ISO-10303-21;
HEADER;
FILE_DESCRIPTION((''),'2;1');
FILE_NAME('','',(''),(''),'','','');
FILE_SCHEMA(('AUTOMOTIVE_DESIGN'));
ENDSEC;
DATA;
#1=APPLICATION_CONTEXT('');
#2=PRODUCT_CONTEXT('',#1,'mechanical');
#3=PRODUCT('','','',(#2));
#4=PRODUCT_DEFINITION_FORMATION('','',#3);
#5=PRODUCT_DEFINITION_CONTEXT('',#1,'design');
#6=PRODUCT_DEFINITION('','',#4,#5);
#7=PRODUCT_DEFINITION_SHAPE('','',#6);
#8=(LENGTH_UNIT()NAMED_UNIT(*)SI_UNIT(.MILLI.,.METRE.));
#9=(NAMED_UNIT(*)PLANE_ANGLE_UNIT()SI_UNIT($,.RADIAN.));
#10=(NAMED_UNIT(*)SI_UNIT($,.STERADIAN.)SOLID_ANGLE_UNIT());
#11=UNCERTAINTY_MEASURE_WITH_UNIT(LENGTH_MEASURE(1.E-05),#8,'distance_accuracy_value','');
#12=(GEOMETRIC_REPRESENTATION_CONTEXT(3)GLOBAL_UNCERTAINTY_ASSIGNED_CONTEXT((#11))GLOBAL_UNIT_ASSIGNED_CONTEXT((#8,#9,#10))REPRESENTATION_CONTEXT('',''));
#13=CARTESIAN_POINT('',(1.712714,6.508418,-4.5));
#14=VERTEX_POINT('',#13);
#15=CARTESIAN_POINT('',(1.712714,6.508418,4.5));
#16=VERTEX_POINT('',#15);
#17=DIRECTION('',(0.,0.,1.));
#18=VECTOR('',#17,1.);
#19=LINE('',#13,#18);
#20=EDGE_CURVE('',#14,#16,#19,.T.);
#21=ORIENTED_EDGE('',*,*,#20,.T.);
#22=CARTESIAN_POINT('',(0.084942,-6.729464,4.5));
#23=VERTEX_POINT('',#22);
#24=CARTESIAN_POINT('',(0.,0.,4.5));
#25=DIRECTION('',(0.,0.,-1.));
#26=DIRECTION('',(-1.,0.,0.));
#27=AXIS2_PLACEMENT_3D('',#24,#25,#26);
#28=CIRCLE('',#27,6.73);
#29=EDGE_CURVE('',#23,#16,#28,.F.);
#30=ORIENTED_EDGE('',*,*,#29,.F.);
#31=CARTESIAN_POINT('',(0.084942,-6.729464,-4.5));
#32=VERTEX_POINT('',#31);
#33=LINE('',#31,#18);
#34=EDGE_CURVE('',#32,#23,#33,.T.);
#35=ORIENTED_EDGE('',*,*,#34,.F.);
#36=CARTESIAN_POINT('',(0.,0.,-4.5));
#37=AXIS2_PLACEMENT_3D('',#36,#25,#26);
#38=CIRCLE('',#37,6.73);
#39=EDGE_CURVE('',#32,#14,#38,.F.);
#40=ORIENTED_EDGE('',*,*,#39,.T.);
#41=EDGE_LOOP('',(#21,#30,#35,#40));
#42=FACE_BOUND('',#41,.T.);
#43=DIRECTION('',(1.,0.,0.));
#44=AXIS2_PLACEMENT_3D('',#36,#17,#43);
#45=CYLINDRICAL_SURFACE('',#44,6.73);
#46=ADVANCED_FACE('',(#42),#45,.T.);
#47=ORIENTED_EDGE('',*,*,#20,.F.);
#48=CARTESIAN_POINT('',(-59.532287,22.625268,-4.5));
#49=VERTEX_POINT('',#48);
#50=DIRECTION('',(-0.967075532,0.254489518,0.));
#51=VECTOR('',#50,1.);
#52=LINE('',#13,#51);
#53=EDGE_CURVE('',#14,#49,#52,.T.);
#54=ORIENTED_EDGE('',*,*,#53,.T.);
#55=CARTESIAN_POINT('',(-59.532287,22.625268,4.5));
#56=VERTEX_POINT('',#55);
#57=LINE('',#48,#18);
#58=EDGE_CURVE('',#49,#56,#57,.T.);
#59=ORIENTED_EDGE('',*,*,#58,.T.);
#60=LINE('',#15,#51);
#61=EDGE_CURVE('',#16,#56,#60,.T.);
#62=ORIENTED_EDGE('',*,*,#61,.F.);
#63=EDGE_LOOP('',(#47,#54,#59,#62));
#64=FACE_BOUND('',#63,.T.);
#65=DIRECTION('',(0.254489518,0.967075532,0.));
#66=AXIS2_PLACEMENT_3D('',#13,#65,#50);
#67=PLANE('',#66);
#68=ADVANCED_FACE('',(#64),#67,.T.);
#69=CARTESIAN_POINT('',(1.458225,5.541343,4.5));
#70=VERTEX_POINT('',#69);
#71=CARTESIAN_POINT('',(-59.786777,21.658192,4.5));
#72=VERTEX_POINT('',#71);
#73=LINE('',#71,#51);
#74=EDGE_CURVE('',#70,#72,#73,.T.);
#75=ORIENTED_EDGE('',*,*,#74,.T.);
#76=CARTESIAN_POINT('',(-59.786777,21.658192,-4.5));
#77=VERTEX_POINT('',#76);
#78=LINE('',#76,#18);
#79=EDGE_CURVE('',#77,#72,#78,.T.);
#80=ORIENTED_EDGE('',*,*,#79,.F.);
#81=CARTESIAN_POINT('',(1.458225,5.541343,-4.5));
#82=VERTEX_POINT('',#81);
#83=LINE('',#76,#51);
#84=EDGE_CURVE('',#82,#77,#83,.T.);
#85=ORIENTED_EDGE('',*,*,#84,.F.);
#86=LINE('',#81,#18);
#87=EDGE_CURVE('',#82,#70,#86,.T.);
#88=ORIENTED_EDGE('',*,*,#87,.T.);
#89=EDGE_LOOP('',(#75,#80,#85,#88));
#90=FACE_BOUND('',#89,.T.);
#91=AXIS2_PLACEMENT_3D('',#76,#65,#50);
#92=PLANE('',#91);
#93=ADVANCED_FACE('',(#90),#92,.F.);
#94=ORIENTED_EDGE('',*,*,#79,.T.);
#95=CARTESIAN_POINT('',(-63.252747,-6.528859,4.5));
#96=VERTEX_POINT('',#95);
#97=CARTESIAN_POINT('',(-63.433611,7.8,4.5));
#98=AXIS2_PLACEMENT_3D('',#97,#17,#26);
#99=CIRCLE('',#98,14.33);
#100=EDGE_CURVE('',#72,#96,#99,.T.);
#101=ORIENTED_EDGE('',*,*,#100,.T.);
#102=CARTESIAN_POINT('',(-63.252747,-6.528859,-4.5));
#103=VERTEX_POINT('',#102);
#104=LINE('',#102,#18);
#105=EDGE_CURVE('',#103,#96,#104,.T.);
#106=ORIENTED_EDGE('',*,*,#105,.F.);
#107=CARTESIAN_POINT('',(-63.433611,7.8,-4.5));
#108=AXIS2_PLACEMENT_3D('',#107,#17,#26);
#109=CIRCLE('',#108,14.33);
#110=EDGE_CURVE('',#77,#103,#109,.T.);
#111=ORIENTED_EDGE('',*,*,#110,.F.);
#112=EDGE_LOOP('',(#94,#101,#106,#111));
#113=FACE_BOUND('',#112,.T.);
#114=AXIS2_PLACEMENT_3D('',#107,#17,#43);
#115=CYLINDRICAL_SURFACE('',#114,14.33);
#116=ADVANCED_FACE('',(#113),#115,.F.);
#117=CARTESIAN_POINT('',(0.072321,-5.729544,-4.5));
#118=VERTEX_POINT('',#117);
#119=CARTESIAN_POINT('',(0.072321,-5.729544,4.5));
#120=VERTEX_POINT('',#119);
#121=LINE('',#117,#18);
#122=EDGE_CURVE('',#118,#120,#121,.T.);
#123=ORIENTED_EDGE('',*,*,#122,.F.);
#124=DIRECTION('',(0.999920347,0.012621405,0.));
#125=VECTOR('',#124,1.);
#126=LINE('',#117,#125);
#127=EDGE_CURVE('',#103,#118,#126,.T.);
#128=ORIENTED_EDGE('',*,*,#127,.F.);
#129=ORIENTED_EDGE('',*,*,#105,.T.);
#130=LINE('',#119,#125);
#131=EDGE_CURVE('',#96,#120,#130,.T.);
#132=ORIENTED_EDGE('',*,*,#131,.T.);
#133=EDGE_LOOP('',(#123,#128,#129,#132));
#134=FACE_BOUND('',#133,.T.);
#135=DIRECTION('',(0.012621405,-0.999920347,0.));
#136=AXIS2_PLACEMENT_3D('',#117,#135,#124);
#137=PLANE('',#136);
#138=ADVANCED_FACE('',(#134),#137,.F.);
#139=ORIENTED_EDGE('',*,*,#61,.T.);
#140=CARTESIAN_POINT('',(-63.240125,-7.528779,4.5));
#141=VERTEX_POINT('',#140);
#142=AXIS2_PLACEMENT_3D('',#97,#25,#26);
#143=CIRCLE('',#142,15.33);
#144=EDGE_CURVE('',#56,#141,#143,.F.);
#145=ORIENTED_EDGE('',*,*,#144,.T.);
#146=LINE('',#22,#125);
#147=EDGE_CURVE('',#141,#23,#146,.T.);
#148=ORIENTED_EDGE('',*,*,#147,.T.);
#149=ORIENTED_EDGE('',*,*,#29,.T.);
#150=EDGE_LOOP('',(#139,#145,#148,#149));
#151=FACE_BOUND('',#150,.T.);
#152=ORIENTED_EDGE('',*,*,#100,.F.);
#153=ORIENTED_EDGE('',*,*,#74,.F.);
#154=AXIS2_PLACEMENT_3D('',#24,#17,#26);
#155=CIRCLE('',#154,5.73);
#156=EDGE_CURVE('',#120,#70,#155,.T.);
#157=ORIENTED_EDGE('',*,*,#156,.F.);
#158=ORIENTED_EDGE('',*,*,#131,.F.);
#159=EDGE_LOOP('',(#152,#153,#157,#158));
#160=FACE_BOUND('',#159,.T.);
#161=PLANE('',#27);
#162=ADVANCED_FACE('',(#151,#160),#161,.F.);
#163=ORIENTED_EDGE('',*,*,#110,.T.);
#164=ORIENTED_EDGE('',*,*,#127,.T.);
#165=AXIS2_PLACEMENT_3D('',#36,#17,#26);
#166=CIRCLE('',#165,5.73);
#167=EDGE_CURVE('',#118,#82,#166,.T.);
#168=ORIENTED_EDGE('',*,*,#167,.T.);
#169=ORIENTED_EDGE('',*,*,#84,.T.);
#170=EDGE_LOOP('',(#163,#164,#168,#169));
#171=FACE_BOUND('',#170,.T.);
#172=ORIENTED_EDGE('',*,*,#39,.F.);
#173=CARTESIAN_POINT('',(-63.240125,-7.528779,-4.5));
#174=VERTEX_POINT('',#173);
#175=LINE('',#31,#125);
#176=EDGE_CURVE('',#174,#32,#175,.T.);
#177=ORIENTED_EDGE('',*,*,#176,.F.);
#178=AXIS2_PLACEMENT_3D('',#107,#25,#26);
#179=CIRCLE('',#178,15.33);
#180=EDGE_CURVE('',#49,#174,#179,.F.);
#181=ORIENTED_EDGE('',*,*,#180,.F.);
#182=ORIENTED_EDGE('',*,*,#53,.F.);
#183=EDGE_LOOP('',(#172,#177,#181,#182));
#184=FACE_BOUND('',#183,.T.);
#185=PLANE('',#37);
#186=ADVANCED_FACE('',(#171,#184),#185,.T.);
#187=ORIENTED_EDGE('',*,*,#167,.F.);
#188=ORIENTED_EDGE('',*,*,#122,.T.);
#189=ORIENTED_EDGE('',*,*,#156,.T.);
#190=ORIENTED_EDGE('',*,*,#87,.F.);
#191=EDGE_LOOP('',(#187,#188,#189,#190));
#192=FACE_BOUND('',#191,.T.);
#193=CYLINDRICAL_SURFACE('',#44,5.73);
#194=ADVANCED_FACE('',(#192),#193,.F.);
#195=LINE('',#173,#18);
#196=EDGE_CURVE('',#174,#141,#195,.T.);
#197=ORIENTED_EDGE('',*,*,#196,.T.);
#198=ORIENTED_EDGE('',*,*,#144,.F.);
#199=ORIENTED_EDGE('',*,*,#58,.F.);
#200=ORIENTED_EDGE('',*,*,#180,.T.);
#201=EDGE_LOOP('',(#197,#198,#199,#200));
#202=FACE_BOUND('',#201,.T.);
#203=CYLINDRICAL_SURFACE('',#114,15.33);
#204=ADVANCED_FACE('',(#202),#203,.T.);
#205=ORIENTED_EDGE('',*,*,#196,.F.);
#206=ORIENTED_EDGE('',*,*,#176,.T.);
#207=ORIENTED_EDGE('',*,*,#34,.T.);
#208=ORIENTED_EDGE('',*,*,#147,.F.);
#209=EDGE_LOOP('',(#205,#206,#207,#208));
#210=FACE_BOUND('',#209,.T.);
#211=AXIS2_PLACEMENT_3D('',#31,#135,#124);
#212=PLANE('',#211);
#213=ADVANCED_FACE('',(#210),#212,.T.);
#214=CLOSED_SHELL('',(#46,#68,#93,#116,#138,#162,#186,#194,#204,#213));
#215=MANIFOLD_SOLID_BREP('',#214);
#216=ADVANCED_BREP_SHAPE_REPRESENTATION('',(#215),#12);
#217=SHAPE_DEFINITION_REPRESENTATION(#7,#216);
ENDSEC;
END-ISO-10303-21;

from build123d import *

# Parameters (mm, degrees)
EXTRUDE_THIN1_DEPTH      = 4.5
EXTRUDE_THIN1_DEPTH_BACK = 4.5


with BuildPart() as part:
    # Sketch2 → Extrude-Thin1 (new, two sides)
    with BuildSketch(Plane.XY) as extrude_thin1_sk:
        with BuildLine():
            Line((-59.532286985, 22.625267911), (1.712714455, 6.508418333))
            ThreePointArc((1.712714455, 6.508418333), (6.679691158, -0.821356217), (0.084942055, -6.729463935))
            Line((0.084942055, -6.729463935), (-63.240125155, -7.528778918))
            ThreePointArc((-63.240125155, -7.528778918), (-78.649014777, 9.670934742), (-59.532286985, 22.625267911))
        make_face()
        with BuildLine():
            Line((-59.786776502, 21.658192379), (1.458224937, 5.5413428))
            ThreePointArc((1.458224937, 5.5413428), (5.687166469, -0.699312203), (0.07232065, -5.729543588))
            Line((0.07232065, -5.729543588), (-63.25274656, -6.528858571))
            ThreePointArc((-63.25274656, -6.528858571), (-77.656490088, 9.548890728), (-59.786776502, 21.658192379))
        make_face(mode=Mode.SUBTRACT)
    extrude(amount=EXTRUDE_THIN1_DEPTH)
    extrude(extrude_thin1_sk.sketch, amount=-EXTRUDE_THIN1_DEPTH_BACK)


solid = part.part
